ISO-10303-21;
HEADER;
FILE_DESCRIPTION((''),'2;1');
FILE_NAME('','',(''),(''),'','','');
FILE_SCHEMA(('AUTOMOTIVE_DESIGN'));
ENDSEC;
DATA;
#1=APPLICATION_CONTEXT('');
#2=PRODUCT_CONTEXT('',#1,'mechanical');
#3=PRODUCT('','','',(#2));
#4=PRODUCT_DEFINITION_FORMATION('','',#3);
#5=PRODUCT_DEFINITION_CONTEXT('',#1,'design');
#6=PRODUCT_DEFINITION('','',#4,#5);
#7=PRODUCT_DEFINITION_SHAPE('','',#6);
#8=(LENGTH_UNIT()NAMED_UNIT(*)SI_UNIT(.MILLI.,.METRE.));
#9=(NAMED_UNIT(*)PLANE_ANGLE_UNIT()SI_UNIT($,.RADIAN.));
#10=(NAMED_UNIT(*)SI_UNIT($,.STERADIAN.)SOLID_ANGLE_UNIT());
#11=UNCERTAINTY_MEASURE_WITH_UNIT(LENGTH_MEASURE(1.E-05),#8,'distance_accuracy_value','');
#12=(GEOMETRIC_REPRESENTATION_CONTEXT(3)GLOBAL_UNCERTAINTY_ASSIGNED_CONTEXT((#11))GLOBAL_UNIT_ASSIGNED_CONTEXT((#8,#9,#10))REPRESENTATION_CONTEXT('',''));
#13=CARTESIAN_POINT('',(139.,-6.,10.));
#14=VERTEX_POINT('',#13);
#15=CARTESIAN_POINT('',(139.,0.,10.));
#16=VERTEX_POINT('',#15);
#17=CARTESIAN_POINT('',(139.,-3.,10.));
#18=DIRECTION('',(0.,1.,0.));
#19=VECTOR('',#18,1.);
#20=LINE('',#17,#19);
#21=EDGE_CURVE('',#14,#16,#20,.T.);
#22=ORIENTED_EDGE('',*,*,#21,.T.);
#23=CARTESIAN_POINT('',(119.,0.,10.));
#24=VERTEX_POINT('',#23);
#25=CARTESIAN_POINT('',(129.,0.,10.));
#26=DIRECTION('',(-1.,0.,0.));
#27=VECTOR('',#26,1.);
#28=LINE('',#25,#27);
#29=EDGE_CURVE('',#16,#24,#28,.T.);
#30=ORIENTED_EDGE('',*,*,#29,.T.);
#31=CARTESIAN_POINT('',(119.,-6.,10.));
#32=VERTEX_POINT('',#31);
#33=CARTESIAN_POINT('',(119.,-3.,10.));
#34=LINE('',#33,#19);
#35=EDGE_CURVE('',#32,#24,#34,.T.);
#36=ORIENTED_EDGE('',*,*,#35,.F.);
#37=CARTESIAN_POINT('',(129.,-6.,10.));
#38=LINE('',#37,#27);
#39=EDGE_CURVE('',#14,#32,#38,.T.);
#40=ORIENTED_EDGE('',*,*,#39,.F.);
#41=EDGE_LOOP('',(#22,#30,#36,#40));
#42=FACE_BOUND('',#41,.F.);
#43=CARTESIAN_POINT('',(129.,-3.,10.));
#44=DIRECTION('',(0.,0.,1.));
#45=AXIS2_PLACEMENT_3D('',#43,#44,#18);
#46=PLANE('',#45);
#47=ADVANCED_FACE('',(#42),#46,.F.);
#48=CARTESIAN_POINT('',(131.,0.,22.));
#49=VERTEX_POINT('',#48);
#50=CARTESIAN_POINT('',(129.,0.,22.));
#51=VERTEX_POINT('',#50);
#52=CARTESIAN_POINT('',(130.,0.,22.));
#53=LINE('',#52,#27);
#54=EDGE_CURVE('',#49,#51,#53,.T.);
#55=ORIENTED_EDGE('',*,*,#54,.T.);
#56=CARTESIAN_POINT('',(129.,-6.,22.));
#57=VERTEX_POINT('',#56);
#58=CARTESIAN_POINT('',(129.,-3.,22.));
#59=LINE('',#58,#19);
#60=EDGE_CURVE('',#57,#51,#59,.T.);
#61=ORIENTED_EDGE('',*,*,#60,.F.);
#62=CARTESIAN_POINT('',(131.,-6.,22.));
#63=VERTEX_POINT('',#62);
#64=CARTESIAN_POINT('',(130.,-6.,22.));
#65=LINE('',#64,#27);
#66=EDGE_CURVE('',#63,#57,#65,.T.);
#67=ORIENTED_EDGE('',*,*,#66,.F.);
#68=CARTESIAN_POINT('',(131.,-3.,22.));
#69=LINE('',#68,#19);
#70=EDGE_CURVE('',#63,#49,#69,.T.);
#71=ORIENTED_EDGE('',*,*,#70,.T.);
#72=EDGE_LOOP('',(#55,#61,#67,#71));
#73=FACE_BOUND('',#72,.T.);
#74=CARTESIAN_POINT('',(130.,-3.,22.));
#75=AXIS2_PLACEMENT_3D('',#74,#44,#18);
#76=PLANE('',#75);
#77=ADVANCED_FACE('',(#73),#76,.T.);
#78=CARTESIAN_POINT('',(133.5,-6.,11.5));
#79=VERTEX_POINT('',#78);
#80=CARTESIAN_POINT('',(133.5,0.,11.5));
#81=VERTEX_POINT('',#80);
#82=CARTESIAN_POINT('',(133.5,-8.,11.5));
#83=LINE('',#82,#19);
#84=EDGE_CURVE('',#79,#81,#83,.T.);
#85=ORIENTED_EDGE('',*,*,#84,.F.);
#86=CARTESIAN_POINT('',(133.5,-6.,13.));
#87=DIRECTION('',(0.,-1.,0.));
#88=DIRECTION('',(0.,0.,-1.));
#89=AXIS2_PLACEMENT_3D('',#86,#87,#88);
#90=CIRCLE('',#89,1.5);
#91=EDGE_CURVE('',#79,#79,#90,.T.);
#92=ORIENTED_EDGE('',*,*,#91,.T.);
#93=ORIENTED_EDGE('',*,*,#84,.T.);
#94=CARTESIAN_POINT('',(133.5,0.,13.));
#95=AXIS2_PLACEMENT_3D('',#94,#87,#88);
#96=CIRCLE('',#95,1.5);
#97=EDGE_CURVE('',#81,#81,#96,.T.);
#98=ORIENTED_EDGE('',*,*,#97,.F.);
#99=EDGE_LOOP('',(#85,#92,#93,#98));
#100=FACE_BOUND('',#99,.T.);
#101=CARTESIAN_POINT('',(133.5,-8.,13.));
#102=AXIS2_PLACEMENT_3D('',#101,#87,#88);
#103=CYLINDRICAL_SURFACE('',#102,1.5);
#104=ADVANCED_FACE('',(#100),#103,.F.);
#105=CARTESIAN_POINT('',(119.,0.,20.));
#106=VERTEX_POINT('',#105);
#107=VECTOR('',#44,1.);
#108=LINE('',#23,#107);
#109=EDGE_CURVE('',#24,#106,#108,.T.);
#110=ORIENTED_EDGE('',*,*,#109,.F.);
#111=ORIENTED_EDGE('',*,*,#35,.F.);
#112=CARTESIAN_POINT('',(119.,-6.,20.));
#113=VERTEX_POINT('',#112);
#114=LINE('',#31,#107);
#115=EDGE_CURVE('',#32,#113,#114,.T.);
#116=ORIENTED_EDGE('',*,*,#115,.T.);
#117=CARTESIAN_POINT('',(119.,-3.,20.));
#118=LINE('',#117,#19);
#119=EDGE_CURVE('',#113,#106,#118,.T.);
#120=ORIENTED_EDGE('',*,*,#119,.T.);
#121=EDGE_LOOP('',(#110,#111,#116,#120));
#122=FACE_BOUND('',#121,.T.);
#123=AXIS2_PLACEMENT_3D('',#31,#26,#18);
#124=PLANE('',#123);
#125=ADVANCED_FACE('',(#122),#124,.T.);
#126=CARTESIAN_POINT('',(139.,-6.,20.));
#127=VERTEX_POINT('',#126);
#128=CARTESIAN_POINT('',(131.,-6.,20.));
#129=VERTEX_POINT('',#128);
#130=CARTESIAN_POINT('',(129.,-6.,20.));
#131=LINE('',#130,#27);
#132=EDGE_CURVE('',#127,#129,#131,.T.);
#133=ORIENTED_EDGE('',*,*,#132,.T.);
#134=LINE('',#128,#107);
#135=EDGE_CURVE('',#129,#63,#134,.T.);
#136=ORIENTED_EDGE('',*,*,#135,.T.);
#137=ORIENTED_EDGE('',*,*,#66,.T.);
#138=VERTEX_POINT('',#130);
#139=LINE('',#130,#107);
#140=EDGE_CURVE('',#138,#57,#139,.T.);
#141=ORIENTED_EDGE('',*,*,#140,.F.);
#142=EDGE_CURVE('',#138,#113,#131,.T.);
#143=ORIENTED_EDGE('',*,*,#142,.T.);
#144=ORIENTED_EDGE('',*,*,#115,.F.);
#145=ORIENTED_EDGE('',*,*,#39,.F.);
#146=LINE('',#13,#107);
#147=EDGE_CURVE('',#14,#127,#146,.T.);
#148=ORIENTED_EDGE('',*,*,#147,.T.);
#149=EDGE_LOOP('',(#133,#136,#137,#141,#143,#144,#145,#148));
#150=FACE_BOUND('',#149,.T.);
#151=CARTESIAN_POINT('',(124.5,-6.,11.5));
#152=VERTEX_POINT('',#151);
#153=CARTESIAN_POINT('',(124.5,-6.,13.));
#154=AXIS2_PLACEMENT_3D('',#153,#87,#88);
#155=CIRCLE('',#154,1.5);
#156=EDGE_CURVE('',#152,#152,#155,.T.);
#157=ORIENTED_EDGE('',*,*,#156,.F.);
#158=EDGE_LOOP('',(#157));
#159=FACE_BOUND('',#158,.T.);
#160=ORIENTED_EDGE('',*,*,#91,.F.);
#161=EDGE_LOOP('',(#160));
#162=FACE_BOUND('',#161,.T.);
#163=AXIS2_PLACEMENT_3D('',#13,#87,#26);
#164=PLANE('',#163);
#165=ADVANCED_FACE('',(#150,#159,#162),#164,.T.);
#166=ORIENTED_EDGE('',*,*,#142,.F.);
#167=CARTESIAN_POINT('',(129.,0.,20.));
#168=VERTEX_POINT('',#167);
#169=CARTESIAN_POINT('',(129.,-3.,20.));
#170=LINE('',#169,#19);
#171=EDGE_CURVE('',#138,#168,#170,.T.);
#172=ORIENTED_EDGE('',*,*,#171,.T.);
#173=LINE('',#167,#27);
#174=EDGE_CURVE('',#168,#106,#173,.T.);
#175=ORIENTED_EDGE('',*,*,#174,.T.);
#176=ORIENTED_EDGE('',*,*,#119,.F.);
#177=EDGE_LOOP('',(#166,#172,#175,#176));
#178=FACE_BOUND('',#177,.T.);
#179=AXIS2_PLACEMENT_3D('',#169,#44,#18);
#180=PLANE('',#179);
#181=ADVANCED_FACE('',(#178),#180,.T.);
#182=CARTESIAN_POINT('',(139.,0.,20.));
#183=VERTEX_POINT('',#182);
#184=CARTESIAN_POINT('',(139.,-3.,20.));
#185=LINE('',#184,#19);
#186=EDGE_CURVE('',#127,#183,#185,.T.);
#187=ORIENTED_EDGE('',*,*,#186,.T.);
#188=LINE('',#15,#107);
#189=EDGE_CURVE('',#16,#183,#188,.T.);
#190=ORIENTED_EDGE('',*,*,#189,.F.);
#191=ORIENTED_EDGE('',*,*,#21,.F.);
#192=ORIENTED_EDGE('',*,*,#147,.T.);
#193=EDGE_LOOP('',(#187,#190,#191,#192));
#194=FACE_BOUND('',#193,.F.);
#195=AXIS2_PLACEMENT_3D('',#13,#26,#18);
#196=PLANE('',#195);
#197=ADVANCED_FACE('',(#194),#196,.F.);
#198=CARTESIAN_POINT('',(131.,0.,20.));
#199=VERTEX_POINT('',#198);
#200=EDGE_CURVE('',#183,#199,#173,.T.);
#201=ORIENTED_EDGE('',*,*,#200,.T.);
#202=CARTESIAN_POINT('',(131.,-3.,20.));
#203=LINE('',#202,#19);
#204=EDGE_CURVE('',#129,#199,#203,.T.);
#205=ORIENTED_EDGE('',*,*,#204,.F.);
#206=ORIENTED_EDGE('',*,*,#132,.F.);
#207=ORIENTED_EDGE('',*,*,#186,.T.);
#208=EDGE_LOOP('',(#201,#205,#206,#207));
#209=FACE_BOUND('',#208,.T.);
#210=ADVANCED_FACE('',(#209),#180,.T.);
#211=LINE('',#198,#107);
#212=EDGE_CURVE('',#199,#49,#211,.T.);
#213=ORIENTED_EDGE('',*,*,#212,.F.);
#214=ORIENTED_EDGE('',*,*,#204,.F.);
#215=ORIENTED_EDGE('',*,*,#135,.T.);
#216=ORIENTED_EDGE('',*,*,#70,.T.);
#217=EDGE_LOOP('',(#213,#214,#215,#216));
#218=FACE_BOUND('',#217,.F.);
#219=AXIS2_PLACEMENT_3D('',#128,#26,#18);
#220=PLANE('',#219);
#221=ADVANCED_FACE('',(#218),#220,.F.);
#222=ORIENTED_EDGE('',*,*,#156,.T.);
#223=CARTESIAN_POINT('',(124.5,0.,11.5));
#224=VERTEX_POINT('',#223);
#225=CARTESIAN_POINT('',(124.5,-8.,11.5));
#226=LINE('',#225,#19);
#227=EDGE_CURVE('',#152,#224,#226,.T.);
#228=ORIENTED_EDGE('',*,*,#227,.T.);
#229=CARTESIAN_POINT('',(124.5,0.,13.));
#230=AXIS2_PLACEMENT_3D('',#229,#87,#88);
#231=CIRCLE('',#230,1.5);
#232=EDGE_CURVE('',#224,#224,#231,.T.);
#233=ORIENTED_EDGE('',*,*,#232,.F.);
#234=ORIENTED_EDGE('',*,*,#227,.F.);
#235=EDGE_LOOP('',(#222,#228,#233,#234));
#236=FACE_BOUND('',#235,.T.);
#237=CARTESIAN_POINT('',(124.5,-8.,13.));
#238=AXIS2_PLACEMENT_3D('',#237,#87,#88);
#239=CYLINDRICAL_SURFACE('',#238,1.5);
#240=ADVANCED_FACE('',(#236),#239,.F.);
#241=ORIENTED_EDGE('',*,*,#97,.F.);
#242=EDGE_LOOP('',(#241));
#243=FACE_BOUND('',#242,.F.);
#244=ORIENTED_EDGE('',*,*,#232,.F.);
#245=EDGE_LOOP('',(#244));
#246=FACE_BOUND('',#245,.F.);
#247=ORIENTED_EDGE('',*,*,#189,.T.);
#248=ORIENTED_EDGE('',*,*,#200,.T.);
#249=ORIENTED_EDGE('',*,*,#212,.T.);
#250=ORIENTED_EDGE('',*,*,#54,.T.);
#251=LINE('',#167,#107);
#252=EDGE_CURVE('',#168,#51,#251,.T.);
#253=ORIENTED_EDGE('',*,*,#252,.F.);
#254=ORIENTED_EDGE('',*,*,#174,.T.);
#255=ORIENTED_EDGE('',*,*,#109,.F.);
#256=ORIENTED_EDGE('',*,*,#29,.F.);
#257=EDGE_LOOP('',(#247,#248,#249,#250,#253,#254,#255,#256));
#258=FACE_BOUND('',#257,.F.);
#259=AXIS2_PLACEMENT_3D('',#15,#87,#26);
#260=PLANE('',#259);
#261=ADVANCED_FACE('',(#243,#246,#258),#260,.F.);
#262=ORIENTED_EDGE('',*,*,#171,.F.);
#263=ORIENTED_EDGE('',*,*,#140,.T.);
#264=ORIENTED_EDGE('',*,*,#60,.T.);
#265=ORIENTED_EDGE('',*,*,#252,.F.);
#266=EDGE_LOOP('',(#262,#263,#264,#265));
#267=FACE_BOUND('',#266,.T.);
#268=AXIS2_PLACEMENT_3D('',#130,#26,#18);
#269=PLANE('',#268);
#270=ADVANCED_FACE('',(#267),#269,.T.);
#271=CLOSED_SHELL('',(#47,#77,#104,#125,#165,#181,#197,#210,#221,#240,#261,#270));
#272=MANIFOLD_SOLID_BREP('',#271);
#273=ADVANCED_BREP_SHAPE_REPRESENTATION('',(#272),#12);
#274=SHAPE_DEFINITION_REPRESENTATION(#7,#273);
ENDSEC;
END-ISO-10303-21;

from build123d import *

# Parameters (mm, degrees)
CYLINDER033_R        = 1.5
CYLINDER033_DEPTH    = 10
ARRAY001016_Y_COUNT  = 2
ARRAY001016_Y_PITCH  = 9
BOX016_W             = 6
BOX016_H             = 20
BOX016_DEPTH         = 10
BOX017_W             = 6
BOX017_H             = 2
BOX017_DEPTH         = 2
BODY_PLACEMENT_ANGLE = 90


with BuildPart() as end_stop_hole_array:
    # Cylinder033 → Cylinder033 (new body)
    with BuildSketch(Plane(origin=(-2, 5.5, 3), x_dir=(0, 0, -1), z_dir=(1, 0, 0))):
        Circle(CYLINDER033_R)
    extrude(amount=CYLINDER033_DEPTH)

    # Array001016 Y: end stop hole array ×2


with BuildPart() as end_stop_hole_array_1:
    add(end_stop_hole_array.part)
    with Locations(*[(0, i * ARRAY001016_Y_PITCH, 0) for i in range(1, ARRAY001016_Y_COUNT)]):
        add(end_stop_hole_array.part)


with BuildPart() as end_stop_body_cube:
    # Box016 → Box016 (new body)
    with BuildSketch(Plane.XY):
        with Locations((3, 10)):
            Rectangle(BOX016_W, BOX016_H)
    extrude(amount=BOX016_DEPTH)


with BuildPart() as end_stop_clone:
    # Box017 → Box017 (new body)
    with BuildSketch(Plane(origin=(0, 8, 10), x_dir=(1, 0, 0), z_dir=(0, 0, 1))):
        with Locations((3, 1)):
            Rectangle(BOX017_W, BOX017_H)
    extrude(amount=BOX017_DEPTH)

    # Fusion013: union end stop body cube
    add(end_stop_body_cube.part)

    # Cut013: cut end stop hole array
    add(end_stop_hole_array_1.part, mode=Mode.SUBTRACT)


with BuildPart() as end_stop_clone_1:
    # Body placement: moved
    add(end_stop_clone.part.moved(Location((139, -6, 10))).rotate(Axis((139, -6, 10), (0, 0, 1)), BODY_PLACEMENT_ANGLE))


solid = end_stop_clone_1.part
